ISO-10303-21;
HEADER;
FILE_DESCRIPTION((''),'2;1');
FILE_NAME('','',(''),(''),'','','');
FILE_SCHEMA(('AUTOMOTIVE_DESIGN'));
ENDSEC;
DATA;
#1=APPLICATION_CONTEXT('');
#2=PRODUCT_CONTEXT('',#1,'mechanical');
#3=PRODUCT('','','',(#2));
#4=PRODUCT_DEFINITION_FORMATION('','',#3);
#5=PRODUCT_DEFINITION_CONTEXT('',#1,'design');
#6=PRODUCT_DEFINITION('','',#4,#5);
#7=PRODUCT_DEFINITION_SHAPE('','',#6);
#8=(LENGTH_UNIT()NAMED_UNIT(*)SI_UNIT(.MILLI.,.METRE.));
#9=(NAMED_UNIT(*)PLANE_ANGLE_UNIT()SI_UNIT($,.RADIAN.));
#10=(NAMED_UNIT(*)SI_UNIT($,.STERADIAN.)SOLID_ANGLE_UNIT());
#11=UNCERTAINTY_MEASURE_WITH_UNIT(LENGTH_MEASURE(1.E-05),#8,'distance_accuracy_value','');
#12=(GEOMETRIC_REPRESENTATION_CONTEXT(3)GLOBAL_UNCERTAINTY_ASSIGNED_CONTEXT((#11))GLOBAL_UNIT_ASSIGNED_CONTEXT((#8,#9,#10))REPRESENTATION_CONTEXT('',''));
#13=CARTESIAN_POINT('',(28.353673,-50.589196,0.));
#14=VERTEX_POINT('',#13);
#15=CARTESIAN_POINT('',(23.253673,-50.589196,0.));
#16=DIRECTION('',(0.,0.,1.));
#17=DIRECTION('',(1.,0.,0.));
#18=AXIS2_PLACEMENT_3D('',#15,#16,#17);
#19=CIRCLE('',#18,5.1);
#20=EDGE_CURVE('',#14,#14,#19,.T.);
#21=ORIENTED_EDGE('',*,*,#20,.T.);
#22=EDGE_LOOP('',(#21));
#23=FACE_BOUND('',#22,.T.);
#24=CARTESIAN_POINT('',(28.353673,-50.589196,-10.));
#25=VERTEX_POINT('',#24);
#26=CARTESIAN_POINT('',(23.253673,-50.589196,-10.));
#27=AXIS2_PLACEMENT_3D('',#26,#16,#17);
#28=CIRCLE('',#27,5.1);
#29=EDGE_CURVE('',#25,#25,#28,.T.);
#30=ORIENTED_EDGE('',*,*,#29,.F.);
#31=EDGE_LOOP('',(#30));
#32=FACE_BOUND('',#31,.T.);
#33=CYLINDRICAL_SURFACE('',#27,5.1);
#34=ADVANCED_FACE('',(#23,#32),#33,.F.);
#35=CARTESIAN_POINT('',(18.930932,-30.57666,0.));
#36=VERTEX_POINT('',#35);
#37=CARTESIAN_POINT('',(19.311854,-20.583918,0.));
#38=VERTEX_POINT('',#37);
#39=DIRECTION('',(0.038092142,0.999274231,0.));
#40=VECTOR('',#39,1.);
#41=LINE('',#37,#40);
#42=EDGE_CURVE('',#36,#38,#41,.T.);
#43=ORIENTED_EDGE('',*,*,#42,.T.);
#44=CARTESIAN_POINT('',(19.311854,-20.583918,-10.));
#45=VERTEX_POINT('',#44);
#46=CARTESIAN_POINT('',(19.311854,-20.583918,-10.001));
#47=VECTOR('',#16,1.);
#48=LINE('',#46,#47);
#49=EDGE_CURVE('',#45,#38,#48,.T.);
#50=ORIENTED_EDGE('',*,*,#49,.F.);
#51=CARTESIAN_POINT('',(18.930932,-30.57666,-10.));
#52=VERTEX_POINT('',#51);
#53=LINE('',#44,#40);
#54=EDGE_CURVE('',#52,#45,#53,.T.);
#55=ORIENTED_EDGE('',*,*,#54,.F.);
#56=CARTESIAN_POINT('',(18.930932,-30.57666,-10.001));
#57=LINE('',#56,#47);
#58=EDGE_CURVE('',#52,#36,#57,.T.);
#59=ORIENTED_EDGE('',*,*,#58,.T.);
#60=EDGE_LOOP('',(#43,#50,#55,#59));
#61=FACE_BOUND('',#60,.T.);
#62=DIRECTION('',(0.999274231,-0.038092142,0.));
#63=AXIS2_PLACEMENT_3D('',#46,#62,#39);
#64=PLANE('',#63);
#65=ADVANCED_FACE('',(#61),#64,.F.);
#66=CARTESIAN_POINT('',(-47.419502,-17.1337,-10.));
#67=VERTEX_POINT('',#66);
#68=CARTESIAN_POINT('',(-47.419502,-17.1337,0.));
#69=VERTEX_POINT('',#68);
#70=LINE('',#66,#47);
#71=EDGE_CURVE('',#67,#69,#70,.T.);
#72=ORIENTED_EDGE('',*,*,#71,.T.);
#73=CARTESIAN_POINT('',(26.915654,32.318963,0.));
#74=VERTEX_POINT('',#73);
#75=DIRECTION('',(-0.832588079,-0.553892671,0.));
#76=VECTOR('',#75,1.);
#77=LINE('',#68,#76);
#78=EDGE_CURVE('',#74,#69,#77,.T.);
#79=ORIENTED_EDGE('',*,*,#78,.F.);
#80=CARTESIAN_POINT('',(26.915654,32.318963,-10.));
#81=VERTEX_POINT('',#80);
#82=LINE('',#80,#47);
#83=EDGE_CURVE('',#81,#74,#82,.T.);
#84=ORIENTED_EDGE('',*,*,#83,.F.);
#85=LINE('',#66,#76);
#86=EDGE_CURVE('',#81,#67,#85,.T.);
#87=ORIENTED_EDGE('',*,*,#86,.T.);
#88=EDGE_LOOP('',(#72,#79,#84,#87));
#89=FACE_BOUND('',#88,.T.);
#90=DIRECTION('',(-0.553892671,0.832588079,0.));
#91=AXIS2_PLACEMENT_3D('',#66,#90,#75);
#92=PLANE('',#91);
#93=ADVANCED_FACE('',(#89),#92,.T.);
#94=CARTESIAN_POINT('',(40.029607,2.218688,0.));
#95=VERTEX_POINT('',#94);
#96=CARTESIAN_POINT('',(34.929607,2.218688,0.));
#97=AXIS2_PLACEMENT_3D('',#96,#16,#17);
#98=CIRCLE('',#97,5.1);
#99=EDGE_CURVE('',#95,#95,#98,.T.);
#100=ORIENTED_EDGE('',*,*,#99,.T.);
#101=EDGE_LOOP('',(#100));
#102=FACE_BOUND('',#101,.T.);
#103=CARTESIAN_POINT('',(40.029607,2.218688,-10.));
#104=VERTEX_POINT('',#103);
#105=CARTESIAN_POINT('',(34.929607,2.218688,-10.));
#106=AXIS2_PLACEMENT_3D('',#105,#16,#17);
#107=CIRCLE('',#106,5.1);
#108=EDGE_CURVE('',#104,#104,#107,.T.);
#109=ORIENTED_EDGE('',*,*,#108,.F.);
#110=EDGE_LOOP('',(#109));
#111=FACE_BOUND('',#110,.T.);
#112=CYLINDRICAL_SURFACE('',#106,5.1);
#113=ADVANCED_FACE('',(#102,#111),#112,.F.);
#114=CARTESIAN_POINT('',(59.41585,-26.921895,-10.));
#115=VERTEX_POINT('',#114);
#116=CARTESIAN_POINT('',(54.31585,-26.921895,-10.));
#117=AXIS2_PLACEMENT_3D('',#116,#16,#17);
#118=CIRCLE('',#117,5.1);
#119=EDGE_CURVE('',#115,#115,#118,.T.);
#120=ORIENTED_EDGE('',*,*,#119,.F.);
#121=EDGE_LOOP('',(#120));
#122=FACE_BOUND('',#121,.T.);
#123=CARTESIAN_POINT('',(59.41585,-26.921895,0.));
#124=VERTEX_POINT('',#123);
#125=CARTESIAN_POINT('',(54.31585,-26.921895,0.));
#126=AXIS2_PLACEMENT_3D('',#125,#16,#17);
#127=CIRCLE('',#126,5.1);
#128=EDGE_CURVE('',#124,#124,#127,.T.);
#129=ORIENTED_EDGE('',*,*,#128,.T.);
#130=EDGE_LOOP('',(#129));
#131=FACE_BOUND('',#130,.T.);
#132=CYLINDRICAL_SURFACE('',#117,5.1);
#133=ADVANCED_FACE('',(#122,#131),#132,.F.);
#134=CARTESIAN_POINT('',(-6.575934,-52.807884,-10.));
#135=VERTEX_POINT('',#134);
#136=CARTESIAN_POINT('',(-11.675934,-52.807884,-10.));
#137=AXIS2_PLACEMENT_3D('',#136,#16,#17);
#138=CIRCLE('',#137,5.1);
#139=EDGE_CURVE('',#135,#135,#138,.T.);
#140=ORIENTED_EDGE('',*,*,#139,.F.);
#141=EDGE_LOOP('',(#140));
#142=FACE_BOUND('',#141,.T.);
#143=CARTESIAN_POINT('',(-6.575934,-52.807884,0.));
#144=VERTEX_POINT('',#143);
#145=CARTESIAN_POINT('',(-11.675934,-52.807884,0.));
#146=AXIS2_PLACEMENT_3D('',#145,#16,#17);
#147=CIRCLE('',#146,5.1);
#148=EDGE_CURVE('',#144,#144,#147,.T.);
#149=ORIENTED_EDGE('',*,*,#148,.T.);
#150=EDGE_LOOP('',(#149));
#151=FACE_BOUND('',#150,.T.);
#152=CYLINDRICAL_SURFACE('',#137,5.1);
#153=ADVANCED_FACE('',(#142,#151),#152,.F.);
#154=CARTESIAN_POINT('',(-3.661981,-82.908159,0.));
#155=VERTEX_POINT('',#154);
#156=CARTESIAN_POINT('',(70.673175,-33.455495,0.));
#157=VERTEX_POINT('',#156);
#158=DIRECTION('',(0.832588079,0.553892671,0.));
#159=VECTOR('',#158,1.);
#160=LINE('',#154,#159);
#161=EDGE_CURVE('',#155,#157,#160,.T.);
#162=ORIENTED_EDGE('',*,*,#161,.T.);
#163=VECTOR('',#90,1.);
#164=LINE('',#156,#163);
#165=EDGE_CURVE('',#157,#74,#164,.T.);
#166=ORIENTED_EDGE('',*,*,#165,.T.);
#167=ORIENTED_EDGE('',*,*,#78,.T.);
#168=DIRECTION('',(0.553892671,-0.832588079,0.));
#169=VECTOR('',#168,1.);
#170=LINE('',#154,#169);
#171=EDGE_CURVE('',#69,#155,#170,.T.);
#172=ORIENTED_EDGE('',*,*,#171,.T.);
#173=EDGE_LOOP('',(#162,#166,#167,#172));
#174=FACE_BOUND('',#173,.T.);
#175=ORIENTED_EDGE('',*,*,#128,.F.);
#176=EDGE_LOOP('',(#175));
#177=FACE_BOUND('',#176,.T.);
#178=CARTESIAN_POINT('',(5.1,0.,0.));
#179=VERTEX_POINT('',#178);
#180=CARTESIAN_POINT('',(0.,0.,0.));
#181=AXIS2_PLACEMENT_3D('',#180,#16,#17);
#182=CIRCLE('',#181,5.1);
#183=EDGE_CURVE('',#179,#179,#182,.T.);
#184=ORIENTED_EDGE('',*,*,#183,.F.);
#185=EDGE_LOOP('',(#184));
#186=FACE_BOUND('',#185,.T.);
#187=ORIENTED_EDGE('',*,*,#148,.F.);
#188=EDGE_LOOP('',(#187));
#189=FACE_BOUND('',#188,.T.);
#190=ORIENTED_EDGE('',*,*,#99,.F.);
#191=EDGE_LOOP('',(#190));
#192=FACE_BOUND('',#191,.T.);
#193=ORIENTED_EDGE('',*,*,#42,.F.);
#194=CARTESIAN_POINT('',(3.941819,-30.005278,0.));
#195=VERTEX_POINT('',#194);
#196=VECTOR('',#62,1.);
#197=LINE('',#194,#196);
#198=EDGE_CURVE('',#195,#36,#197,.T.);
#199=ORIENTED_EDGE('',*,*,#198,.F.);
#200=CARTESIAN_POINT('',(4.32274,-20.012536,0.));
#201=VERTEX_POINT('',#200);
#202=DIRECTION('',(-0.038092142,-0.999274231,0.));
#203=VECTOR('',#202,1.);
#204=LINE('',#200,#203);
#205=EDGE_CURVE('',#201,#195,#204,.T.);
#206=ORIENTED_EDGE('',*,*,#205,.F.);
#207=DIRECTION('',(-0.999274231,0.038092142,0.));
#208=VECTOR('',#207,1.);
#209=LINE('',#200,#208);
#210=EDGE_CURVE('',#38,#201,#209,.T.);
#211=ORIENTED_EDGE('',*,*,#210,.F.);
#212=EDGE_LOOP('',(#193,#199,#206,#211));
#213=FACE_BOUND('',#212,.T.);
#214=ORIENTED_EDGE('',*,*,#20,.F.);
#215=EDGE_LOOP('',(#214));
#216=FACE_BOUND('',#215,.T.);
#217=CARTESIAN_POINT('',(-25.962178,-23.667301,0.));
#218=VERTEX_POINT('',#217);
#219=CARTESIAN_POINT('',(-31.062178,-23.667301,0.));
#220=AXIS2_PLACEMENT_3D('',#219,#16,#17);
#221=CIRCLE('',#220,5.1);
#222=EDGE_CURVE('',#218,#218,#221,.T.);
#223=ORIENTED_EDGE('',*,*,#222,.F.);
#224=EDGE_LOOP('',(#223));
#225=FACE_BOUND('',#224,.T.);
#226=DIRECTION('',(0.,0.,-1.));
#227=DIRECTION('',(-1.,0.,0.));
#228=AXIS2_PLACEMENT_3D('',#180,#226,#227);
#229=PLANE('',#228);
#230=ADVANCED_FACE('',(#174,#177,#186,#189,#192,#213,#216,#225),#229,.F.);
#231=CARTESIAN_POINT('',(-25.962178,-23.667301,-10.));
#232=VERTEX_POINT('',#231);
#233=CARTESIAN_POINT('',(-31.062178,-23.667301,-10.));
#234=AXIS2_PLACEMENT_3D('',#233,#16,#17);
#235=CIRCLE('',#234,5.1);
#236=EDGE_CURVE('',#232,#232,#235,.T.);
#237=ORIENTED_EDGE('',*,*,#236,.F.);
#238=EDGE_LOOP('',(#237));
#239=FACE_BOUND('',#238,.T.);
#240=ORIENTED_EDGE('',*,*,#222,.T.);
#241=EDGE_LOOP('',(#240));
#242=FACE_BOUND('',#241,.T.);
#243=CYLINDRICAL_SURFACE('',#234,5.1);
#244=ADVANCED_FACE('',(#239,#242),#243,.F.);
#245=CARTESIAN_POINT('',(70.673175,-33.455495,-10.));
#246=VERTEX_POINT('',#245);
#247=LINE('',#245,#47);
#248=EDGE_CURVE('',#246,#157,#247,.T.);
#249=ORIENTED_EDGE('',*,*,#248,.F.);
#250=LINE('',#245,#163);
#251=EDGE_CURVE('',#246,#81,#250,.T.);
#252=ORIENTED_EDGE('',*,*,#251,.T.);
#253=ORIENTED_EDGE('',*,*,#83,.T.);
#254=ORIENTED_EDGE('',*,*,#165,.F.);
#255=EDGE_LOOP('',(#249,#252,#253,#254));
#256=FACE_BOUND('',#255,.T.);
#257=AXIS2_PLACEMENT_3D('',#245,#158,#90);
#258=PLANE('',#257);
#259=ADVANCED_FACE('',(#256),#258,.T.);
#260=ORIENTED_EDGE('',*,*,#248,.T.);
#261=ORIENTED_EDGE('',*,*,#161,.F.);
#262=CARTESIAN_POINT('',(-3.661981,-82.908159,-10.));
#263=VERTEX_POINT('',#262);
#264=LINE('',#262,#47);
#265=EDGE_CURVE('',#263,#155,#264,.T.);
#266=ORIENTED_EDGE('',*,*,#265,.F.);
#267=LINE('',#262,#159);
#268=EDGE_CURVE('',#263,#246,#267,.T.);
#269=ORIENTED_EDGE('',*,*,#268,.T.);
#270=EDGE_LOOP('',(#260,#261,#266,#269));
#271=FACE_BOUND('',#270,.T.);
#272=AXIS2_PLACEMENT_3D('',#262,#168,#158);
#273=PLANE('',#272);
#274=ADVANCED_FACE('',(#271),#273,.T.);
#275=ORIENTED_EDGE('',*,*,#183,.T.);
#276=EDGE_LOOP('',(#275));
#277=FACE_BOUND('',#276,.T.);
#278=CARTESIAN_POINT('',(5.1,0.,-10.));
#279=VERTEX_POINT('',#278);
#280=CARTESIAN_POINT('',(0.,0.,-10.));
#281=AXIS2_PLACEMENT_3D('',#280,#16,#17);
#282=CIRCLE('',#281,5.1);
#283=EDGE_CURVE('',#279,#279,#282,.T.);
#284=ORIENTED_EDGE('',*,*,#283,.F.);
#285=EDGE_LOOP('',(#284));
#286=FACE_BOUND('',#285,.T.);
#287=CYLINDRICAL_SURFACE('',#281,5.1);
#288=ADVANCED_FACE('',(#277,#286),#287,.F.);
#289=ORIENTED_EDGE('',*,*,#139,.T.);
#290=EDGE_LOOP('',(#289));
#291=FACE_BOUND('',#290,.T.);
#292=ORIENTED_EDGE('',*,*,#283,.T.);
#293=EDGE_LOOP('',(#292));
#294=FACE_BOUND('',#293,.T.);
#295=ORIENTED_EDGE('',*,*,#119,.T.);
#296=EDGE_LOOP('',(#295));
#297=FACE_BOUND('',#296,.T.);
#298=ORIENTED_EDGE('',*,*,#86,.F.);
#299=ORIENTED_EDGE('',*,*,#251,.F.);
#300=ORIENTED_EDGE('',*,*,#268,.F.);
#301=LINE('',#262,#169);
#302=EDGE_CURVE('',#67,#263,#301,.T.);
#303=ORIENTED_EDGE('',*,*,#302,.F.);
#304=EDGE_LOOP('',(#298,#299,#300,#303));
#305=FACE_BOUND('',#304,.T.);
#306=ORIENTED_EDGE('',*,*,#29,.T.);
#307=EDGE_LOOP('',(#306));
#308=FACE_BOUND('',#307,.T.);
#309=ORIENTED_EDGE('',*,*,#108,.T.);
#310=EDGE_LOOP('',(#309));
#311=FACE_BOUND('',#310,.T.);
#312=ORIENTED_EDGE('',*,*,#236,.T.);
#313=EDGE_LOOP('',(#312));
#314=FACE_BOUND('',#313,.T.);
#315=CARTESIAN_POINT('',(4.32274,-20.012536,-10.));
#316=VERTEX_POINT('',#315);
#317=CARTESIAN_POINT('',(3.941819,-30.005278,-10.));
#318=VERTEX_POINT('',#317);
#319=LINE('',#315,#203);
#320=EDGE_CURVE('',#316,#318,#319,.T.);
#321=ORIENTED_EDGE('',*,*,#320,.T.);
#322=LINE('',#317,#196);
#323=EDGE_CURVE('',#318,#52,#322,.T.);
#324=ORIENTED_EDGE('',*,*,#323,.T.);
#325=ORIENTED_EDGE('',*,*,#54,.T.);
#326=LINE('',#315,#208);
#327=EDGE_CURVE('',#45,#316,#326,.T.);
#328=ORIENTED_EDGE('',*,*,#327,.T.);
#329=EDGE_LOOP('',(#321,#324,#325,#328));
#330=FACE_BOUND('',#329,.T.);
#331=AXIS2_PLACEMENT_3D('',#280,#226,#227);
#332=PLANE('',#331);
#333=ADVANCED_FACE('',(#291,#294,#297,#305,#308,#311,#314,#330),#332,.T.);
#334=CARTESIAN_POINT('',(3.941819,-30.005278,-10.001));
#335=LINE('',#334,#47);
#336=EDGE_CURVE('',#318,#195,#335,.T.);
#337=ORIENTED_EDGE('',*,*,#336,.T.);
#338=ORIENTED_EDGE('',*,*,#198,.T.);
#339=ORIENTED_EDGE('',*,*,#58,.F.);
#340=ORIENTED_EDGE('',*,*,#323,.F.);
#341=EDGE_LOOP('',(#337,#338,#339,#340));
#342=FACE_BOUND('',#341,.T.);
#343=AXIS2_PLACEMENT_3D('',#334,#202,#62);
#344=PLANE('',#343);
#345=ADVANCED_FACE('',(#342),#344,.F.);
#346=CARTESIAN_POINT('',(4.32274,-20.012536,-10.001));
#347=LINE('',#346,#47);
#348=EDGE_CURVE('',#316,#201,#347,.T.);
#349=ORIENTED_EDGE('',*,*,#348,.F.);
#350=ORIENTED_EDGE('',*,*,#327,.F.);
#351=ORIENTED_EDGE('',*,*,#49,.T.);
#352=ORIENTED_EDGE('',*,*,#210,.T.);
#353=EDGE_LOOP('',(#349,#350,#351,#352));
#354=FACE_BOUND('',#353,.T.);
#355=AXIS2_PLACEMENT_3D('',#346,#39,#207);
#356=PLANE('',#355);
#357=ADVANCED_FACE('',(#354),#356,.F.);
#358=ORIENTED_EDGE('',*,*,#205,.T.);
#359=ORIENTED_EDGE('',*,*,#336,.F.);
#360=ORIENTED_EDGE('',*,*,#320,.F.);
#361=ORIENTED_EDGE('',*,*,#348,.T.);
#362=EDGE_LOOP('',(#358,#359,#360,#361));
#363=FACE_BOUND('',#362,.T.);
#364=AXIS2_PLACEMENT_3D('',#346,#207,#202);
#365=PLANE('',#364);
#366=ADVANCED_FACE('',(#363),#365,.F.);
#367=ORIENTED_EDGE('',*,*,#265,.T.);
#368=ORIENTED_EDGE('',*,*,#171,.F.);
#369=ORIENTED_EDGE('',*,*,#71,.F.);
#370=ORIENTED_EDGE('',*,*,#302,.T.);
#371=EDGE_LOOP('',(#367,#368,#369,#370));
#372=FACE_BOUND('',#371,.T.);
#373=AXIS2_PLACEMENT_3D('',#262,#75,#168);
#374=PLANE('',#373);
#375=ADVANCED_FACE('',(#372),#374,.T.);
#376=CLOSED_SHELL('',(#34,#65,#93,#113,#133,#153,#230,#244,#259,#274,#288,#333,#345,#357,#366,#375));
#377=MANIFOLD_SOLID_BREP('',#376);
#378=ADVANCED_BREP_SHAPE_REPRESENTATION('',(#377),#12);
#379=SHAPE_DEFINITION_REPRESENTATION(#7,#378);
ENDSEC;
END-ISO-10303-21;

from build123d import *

# Parameters (mm, degrees)
SKETCH1_R           = 5.1
BOSS_EXTRUDE1_DEPTH = 10
CUT_EXTRUDE1_REACH  = 111.4


with BuildPart() as part:
    # Sketch1 → Boss-Extrude1 (new body)
    with BuildSketch(Plane.XY):
        Polygon((-3.661981052, -82.908158574), (70.673174696, -33.455495228), (26.915653686, 32.318962998), (-47.419502062, -17.133700347), align=None)
        Circle(SKETCH1_R, mode=Mode.SUBTRACT)
        with Locations((34.929606693, 2.218687963)):
            Circle(SKETCH1_R, mode=Mode.SUBTRACT)
        with Locations((54.315850178, -26.921894796)):
            Circle(SKETCH1_R, mode=Mode.SUBTRACT)
        with Locations((23.253672634, -50.589195576)):
            Circle(SKETCH1_R, mode=Mode.SUBTRACT)
        with Locations((-11.675934059, -52.807883539)):
            Circle(SKETCH1_R, mode=Mode.SUBTRACT)
        with Locations((-31.062177544, -23.66730078)):
            Circle(SKETCH1_R, mode=Mode.SUBTRACT)
    extrude(amount=-BOSS_EXTRUDE1_DEPTH)

    # Sketch2 → Cut-Extrude1 (cut, up to next)
    with BuildSketch(Plane.XY, mode=Mode.PRIVATE) as cut_extrude1_sk1:
        Polygon((4.322740293, -20.01253557), (19.311853758, -20.583917696), (18.930932341, -30.576660006), (3.941818876, -30.00527788), align=None)
    cut_extrude1_tool1 = extrude(cut_extrude1_sk1.sketch, amount=-CUT_EXTRUDE1_REACH, mode=Mode.PRIVATE) & part.part
    add(cut_extrude1_tool1.solids().sort_by_distance((11.626836, -25.294598, 0))[0], mode=Mode.SUBTRACT)


solid = part.part
